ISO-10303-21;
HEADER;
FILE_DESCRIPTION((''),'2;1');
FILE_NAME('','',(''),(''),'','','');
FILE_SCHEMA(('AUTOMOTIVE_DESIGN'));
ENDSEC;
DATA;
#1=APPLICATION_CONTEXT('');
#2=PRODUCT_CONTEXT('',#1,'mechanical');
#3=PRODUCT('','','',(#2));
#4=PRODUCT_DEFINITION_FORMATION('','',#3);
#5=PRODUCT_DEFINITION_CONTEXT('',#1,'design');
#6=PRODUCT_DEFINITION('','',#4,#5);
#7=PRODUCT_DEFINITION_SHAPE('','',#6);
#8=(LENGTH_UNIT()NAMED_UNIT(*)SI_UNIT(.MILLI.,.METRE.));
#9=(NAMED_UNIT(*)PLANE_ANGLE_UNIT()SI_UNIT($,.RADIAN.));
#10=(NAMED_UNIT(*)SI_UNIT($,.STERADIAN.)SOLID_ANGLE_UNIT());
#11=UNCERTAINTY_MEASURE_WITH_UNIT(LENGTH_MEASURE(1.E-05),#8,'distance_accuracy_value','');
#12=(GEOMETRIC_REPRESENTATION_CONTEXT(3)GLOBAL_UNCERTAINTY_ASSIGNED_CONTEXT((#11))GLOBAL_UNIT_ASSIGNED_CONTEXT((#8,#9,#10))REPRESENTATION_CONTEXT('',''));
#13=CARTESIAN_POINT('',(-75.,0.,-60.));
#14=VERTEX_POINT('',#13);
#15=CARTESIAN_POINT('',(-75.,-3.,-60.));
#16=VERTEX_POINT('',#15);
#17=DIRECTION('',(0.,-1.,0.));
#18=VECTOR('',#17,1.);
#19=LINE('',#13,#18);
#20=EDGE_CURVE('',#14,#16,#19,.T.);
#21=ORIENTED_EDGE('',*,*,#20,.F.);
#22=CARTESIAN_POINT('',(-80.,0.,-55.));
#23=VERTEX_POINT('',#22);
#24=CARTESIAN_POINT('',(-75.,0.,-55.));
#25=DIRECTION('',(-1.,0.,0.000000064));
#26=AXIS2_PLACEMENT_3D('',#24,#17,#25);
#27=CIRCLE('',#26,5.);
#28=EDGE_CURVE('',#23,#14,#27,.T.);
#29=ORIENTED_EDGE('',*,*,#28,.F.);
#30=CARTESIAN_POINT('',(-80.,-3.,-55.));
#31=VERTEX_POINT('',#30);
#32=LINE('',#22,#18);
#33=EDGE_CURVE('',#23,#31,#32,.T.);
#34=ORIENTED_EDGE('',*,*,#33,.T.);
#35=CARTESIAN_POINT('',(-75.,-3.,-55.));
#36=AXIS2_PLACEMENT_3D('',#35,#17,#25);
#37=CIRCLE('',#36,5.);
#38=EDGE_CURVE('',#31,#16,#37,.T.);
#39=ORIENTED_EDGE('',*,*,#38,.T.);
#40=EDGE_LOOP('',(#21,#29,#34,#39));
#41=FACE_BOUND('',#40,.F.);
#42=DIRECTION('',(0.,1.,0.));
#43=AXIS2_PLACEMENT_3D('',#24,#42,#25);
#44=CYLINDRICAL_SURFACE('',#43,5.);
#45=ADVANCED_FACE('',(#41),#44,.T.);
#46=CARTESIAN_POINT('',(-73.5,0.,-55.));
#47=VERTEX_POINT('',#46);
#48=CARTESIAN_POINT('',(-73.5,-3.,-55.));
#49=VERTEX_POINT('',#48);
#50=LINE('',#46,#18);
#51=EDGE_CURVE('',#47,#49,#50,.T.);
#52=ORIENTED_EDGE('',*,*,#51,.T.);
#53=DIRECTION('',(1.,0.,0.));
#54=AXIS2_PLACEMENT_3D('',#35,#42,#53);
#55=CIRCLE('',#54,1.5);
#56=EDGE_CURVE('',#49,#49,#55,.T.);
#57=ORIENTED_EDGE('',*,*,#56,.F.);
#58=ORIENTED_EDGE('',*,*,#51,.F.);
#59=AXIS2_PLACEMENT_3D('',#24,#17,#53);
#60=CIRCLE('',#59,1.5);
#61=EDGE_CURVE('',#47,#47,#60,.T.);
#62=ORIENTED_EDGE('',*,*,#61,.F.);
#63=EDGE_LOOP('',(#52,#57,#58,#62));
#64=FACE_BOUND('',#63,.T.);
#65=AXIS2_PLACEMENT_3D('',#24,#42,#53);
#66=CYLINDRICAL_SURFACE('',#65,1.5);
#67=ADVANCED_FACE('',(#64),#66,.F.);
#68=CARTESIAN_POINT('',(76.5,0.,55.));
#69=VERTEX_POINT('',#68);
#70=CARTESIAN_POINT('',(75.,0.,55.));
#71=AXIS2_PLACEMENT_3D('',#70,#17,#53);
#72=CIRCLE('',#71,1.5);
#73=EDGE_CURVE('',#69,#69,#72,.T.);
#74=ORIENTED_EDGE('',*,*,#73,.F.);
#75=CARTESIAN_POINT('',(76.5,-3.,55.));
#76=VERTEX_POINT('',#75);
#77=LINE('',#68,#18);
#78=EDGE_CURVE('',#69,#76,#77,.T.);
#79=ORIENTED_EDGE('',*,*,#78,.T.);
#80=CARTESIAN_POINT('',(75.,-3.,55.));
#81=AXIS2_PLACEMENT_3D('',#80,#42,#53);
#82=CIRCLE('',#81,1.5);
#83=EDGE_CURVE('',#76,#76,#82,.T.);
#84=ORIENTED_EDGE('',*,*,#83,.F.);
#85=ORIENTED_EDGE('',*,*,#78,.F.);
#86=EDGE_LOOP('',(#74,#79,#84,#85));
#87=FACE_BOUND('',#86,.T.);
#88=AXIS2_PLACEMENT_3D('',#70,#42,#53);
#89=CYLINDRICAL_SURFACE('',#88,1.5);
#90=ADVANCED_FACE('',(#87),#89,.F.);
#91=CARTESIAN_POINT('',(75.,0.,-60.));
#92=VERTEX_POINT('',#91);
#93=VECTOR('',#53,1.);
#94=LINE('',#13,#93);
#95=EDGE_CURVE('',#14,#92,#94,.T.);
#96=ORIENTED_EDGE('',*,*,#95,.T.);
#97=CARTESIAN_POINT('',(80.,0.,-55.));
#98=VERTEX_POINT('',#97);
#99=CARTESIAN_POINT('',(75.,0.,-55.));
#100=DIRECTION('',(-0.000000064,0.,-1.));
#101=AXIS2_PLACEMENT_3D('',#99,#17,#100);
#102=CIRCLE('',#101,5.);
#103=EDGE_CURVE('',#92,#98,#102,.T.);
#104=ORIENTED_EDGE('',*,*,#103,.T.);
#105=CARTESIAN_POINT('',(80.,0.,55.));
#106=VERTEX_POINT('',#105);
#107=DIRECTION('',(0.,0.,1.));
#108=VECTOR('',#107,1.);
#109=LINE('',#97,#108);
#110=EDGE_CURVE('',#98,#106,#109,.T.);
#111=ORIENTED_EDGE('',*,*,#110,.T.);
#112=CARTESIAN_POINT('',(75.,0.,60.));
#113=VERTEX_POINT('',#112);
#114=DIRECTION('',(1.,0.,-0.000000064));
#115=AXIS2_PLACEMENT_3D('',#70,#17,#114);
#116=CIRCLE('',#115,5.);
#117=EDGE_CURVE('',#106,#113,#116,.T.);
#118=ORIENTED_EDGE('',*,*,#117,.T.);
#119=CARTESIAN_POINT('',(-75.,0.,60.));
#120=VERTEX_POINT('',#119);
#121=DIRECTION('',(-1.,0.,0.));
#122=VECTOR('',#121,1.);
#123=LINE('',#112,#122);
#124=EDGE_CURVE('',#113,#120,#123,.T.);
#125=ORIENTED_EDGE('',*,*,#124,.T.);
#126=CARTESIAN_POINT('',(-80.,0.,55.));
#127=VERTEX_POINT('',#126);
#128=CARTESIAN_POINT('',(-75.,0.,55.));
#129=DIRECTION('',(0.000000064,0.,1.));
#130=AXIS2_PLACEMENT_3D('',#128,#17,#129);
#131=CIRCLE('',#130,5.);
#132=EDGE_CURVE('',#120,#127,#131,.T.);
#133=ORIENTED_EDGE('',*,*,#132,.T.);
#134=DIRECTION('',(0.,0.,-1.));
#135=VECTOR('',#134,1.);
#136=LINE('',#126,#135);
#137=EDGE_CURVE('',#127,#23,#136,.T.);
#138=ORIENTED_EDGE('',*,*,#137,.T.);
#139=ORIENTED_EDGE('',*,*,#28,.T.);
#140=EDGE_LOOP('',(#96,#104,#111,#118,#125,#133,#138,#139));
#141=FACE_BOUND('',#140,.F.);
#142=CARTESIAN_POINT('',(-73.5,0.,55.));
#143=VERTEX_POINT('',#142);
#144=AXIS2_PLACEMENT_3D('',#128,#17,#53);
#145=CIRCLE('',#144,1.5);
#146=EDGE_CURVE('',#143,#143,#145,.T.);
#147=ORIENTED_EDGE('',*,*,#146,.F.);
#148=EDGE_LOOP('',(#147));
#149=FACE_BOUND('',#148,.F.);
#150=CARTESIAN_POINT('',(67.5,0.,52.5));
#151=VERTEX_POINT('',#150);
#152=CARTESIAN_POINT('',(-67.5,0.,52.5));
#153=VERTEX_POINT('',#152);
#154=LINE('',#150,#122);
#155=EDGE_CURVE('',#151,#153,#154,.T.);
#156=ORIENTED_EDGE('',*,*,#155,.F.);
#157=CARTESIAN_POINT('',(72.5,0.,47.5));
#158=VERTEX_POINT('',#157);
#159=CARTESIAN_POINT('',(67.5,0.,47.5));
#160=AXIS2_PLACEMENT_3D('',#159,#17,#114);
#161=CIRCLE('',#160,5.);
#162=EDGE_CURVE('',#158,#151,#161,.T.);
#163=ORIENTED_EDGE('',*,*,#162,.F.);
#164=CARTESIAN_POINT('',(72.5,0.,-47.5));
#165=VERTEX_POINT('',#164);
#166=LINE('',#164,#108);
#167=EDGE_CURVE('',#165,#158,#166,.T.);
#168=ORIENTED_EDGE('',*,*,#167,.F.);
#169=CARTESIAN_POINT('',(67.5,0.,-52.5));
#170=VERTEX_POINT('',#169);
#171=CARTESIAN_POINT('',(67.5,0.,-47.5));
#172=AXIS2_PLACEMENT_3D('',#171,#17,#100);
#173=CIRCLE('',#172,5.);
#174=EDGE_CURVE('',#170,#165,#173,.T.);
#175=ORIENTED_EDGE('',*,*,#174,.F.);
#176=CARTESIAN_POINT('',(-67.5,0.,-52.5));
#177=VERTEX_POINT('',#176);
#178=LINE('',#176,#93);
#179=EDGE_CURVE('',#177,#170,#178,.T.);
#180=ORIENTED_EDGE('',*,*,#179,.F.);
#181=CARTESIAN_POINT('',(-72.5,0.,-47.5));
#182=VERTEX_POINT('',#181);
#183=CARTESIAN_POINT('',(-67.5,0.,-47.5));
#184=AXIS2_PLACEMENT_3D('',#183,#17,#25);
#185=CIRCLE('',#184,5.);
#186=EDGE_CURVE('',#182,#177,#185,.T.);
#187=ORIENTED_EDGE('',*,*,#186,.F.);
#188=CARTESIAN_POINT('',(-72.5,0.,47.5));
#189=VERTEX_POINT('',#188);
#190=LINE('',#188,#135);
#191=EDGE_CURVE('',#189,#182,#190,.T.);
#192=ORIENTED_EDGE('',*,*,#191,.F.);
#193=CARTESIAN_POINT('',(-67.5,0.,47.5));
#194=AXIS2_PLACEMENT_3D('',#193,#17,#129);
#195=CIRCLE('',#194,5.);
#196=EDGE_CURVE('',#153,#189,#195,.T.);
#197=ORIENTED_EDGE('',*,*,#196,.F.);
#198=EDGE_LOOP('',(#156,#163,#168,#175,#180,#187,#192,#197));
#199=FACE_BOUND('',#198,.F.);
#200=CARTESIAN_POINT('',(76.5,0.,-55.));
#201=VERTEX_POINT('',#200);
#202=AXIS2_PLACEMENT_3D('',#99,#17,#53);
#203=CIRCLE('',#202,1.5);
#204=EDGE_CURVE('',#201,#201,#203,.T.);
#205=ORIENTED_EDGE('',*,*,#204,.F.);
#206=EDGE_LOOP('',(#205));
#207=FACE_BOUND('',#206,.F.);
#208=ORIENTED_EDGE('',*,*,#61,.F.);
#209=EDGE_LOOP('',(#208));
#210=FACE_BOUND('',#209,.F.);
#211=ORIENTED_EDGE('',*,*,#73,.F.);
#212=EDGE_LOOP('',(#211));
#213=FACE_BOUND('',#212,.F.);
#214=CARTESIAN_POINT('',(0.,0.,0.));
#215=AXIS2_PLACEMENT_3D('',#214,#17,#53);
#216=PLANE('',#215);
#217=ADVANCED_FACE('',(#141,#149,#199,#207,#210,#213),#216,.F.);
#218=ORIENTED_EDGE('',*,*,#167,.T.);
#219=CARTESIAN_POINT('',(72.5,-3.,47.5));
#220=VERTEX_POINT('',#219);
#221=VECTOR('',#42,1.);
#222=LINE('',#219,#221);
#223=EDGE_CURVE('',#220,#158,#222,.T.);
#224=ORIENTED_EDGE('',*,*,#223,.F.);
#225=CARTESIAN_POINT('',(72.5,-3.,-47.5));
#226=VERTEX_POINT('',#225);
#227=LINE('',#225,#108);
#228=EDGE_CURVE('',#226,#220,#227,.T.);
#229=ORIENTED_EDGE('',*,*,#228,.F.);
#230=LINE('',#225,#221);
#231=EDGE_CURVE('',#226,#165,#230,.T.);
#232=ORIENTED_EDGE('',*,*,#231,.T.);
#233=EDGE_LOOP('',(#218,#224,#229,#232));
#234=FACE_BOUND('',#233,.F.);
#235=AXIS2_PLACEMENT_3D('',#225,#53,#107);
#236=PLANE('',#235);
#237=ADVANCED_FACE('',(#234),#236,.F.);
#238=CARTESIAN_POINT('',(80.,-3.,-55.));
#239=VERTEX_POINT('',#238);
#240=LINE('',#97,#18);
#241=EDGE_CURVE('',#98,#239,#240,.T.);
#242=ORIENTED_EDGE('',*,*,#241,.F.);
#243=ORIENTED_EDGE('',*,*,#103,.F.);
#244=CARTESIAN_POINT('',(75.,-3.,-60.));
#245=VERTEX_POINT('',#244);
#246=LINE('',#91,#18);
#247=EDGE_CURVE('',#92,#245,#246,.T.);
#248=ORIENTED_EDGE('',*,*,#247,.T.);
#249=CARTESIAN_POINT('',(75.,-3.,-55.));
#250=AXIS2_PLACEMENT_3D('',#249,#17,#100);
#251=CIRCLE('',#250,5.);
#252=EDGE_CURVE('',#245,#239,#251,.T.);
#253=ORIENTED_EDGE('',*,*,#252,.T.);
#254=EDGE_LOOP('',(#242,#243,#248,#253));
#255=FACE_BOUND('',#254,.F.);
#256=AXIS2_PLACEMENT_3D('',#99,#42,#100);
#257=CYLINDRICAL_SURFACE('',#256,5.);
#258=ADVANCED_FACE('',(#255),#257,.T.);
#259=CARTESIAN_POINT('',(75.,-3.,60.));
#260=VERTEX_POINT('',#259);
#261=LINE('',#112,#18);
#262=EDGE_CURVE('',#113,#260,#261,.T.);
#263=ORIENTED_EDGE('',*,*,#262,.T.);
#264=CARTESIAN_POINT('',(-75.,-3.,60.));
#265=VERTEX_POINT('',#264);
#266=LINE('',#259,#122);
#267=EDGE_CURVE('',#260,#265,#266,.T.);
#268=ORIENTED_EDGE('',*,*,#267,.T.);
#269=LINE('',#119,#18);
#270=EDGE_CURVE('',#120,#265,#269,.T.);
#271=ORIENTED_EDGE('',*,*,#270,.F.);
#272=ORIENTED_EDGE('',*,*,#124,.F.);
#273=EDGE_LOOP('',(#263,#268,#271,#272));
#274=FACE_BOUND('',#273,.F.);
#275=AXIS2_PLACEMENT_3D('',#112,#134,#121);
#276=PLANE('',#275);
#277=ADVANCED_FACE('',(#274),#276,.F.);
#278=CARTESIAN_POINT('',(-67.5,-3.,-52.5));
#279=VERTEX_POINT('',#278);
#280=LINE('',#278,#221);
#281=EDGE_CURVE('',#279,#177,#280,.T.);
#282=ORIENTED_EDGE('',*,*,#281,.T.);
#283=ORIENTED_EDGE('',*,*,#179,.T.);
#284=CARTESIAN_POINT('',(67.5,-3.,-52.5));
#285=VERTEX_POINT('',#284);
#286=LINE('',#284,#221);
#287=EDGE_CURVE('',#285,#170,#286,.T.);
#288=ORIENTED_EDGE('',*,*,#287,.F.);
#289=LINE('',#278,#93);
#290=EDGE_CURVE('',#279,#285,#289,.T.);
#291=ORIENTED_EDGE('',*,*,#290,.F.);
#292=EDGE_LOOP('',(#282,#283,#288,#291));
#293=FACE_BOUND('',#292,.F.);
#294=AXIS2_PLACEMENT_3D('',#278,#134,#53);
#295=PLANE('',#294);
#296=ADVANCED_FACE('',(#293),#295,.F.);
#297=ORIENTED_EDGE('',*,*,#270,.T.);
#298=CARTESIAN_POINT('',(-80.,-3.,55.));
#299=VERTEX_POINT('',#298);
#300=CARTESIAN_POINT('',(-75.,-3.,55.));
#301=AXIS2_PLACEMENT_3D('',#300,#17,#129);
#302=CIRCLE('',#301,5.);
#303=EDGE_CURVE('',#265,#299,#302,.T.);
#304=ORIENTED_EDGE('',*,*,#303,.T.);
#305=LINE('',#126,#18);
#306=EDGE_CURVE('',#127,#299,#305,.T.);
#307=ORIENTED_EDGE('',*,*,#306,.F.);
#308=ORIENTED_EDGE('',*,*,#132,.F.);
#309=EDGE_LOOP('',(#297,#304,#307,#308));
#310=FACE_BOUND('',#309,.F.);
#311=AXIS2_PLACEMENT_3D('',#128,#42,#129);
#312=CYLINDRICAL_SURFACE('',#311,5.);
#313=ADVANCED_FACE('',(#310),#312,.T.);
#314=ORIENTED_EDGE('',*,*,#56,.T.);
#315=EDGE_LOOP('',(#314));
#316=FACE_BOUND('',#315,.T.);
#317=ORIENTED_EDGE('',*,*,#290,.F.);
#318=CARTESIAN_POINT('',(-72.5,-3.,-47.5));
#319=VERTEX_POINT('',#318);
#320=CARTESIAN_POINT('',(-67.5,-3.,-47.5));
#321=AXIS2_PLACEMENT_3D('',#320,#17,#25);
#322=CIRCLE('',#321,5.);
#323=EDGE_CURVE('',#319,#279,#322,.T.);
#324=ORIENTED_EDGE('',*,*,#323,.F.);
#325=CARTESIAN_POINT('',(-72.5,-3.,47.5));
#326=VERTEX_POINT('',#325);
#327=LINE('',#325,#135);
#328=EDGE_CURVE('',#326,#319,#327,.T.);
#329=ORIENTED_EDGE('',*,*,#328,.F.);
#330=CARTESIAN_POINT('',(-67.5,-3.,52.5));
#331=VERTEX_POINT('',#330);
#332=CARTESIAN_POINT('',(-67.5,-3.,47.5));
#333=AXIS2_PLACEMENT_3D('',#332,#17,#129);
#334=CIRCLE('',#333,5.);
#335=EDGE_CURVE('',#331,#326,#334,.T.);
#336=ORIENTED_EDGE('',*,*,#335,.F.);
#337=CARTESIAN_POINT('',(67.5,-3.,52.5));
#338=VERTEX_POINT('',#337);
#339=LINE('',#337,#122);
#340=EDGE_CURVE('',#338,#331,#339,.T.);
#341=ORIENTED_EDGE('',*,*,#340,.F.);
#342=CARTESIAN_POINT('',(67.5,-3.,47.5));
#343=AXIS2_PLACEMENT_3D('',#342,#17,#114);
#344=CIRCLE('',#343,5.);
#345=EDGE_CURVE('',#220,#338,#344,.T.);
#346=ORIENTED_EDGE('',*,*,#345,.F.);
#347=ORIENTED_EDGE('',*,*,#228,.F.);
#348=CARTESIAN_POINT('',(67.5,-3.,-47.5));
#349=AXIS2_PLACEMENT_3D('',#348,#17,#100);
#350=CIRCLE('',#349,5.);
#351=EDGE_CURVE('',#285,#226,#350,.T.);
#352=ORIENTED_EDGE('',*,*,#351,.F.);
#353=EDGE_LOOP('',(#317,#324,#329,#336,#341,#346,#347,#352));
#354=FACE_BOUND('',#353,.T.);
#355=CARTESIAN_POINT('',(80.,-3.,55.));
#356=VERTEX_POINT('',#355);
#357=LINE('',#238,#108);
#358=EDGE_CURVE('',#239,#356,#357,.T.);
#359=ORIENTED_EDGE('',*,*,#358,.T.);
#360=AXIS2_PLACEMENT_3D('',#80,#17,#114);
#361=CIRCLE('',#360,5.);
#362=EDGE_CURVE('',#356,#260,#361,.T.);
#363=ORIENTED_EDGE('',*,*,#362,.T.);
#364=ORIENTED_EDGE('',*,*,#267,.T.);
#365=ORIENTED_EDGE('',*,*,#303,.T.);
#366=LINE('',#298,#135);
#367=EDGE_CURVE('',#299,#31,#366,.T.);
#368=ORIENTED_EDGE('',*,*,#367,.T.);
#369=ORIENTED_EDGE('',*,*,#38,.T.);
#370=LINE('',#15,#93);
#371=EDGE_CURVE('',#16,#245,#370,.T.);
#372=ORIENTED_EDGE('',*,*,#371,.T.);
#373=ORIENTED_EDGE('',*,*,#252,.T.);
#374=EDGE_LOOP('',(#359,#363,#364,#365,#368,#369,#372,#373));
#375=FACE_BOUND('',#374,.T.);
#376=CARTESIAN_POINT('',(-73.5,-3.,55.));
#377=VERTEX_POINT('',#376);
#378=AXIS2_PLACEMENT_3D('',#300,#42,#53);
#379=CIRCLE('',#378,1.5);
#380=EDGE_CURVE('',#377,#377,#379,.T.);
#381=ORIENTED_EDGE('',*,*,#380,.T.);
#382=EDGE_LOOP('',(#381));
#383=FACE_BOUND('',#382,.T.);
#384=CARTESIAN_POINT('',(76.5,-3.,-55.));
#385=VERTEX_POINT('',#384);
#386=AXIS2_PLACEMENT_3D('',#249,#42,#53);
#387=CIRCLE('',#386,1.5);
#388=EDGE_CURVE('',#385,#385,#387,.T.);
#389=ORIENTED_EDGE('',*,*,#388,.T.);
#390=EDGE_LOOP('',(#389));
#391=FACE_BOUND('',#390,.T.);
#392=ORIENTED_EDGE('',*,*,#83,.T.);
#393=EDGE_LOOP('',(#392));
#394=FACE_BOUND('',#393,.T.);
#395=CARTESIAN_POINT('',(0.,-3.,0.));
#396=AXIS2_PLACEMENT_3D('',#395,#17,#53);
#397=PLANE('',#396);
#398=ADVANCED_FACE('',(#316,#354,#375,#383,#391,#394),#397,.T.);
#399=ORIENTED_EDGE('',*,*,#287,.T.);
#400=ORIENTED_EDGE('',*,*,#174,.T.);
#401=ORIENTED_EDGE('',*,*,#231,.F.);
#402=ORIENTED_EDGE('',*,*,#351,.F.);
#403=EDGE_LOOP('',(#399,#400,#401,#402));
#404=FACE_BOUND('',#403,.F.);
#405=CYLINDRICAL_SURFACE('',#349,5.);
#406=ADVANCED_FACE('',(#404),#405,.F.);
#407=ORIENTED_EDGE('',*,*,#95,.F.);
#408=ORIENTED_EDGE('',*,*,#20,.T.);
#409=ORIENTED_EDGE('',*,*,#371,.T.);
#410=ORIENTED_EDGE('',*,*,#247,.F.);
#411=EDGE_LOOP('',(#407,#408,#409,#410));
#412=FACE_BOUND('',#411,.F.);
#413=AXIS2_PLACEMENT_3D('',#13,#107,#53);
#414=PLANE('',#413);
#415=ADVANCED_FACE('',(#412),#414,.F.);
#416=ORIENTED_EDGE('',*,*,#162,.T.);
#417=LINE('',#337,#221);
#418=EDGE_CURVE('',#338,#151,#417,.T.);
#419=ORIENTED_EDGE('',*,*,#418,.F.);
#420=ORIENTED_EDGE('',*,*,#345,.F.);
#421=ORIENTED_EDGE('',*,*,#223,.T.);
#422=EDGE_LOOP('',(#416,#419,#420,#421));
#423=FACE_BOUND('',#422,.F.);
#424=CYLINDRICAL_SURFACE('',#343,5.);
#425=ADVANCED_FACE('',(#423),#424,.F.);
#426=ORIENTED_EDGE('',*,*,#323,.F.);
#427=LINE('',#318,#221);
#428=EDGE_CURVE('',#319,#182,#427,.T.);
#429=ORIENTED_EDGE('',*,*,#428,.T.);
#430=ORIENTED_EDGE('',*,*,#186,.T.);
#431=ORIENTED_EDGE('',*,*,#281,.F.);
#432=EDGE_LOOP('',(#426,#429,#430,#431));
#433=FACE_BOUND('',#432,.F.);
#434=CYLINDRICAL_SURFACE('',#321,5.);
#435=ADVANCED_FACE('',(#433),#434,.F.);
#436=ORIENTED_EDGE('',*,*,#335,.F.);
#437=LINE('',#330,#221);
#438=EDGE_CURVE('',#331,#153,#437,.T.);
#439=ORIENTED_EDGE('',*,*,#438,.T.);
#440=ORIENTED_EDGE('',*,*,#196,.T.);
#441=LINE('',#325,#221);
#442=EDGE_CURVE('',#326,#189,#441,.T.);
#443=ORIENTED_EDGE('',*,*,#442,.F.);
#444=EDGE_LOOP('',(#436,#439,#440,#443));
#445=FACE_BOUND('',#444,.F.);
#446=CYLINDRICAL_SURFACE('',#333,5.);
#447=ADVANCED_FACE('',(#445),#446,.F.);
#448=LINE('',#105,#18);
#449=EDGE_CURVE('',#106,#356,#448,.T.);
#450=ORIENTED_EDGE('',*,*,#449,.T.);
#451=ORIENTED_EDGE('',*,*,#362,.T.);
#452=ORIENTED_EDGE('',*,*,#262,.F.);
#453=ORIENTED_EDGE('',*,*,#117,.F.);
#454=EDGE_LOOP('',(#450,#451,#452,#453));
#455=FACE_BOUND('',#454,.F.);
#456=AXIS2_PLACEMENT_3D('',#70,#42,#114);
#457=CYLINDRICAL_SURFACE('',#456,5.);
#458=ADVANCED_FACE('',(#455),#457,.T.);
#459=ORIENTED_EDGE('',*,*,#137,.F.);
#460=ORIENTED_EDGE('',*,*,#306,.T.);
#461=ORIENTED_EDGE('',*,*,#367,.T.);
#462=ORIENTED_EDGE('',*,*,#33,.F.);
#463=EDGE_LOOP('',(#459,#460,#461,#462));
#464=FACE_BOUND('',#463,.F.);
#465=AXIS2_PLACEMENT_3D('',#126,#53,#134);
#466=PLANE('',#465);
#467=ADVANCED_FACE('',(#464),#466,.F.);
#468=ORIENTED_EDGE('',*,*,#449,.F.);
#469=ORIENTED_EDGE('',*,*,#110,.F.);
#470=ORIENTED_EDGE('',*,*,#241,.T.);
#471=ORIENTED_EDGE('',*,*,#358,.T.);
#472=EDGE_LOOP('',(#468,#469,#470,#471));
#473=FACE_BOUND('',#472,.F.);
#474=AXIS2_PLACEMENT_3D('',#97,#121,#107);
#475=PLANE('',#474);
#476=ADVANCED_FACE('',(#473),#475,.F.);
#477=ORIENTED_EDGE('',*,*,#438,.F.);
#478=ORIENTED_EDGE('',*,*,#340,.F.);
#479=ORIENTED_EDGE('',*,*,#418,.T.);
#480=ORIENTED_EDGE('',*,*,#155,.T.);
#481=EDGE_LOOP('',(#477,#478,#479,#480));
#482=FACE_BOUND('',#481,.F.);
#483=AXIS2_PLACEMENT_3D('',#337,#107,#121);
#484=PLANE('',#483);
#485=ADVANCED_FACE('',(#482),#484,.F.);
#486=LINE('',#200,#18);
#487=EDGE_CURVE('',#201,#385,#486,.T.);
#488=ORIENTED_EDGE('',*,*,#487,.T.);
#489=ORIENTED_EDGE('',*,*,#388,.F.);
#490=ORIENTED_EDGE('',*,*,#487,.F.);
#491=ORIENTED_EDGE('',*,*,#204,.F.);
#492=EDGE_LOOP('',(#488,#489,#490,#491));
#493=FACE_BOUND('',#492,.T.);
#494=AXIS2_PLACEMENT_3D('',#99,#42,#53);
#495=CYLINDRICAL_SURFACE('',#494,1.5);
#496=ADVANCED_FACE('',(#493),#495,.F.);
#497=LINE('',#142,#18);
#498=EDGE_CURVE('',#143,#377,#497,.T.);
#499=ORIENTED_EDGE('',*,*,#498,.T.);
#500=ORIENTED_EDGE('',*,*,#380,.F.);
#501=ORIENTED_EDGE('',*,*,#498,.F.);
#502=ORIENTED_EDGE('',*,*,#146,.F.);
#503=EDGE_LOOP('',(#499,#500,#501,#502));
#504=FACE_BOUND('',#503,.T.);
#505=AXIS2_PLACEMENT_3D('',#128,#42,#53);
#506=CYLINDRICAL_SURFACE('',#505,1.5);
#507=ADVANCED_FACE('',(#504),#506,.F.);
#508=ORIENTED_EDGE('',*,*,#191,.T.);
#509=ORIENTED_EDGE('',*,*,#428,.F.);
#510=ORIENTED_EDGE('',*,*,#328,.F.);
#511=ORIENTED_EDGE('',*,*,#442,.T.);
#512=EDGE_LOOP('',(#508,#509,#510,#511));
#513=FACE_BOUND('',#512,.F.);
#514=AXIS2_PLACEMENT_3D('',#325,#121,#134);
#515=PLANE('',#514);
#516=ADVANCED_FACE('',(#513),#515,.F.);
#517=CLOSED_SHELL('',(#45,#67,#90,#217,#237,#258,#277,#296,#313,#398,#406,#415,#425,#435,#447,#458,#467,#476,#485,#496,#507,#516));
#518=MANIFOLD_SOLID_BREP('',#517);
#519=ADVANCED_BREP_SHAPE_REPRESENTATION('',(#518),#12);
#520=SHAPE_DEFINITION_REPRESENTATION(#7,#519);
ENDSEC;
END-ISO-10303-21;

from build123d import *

# Parameters (mm, degrees)
F1_DEPTH = 3
F2_R     = 1.5
F3_DEPTH = 25
F5_DEPTH = 3


with BuildPart() as f1:
    # F0 (on Front) → F1 (new body)
    with BuildSketch(Plane.XZ):
        with BuildLine():
            Line((-75, -60), (75, -60))
            ThreePointArc((75, -60), (78.535534, -58.535534), (80, -55))
            Line((80, -55), (80, 55))
            ThreePointArc((80, 55), (78.535534, 58.535534), (75, 60))
            Line((75, 60), (-75, 60))
            ThreePointArc((-75, 60), (-78.535534, 58.535534), (-80, 55))
            Line((-80, 55), (-80, -55))
            ThreePointArc((-80, -55), (-78.535534, -58.535534), (-75, -60))
        make_face()
    extrude(amount=F1_DEPTH)

    # F2 (on Front) → F3 (cut)
    with BuildSketch(Plane.XZ):
        with Locations((-75, 55)):
            Circle(F2_R)
        with Locations((75, 55)):
            Circle(F2_R)
        with Locations((75, -55)):
            Circle(F2_R)
        with Locations((-75, -55)):
            Circle(F2_R)
    extrude(amount=F3_DEPTH, mode=Mode.SUBTRACT)

    # F4 (on face) → F5 (cut)
    with BuildSketch(Plane.XZ.offset(3)):
        with BuildLine():
            ThreePointArc((72.5, 47.5), (71.035534, 51.035534), (67.5, 52.5))
            Line((67.5, 52.5), (-67.5, 52.5))
            ThreePointArc((-67.5, 52.5), (-71.035534, 51.035534), (-72.5, 47.5))
            Line((-72.5, 47.5), (-72.5, -47.5))
            ThreePointArc((-72.5, -47.5), (-71.035534, -51.035534), (-67.5, -52.5))
            Line((-67.5, -52.5), (67.5, -52.5))
            ThreePointArc((67.5, -52.5), (71.035534, -51.035534), (72.5, -47.5))
            Line((72.5, -47.5), (72.5, 47.5))
        make_face()
    extrude(amount=-F5_DEPTH, mode=Mode.SUBTRACT)


solid = f1.part
